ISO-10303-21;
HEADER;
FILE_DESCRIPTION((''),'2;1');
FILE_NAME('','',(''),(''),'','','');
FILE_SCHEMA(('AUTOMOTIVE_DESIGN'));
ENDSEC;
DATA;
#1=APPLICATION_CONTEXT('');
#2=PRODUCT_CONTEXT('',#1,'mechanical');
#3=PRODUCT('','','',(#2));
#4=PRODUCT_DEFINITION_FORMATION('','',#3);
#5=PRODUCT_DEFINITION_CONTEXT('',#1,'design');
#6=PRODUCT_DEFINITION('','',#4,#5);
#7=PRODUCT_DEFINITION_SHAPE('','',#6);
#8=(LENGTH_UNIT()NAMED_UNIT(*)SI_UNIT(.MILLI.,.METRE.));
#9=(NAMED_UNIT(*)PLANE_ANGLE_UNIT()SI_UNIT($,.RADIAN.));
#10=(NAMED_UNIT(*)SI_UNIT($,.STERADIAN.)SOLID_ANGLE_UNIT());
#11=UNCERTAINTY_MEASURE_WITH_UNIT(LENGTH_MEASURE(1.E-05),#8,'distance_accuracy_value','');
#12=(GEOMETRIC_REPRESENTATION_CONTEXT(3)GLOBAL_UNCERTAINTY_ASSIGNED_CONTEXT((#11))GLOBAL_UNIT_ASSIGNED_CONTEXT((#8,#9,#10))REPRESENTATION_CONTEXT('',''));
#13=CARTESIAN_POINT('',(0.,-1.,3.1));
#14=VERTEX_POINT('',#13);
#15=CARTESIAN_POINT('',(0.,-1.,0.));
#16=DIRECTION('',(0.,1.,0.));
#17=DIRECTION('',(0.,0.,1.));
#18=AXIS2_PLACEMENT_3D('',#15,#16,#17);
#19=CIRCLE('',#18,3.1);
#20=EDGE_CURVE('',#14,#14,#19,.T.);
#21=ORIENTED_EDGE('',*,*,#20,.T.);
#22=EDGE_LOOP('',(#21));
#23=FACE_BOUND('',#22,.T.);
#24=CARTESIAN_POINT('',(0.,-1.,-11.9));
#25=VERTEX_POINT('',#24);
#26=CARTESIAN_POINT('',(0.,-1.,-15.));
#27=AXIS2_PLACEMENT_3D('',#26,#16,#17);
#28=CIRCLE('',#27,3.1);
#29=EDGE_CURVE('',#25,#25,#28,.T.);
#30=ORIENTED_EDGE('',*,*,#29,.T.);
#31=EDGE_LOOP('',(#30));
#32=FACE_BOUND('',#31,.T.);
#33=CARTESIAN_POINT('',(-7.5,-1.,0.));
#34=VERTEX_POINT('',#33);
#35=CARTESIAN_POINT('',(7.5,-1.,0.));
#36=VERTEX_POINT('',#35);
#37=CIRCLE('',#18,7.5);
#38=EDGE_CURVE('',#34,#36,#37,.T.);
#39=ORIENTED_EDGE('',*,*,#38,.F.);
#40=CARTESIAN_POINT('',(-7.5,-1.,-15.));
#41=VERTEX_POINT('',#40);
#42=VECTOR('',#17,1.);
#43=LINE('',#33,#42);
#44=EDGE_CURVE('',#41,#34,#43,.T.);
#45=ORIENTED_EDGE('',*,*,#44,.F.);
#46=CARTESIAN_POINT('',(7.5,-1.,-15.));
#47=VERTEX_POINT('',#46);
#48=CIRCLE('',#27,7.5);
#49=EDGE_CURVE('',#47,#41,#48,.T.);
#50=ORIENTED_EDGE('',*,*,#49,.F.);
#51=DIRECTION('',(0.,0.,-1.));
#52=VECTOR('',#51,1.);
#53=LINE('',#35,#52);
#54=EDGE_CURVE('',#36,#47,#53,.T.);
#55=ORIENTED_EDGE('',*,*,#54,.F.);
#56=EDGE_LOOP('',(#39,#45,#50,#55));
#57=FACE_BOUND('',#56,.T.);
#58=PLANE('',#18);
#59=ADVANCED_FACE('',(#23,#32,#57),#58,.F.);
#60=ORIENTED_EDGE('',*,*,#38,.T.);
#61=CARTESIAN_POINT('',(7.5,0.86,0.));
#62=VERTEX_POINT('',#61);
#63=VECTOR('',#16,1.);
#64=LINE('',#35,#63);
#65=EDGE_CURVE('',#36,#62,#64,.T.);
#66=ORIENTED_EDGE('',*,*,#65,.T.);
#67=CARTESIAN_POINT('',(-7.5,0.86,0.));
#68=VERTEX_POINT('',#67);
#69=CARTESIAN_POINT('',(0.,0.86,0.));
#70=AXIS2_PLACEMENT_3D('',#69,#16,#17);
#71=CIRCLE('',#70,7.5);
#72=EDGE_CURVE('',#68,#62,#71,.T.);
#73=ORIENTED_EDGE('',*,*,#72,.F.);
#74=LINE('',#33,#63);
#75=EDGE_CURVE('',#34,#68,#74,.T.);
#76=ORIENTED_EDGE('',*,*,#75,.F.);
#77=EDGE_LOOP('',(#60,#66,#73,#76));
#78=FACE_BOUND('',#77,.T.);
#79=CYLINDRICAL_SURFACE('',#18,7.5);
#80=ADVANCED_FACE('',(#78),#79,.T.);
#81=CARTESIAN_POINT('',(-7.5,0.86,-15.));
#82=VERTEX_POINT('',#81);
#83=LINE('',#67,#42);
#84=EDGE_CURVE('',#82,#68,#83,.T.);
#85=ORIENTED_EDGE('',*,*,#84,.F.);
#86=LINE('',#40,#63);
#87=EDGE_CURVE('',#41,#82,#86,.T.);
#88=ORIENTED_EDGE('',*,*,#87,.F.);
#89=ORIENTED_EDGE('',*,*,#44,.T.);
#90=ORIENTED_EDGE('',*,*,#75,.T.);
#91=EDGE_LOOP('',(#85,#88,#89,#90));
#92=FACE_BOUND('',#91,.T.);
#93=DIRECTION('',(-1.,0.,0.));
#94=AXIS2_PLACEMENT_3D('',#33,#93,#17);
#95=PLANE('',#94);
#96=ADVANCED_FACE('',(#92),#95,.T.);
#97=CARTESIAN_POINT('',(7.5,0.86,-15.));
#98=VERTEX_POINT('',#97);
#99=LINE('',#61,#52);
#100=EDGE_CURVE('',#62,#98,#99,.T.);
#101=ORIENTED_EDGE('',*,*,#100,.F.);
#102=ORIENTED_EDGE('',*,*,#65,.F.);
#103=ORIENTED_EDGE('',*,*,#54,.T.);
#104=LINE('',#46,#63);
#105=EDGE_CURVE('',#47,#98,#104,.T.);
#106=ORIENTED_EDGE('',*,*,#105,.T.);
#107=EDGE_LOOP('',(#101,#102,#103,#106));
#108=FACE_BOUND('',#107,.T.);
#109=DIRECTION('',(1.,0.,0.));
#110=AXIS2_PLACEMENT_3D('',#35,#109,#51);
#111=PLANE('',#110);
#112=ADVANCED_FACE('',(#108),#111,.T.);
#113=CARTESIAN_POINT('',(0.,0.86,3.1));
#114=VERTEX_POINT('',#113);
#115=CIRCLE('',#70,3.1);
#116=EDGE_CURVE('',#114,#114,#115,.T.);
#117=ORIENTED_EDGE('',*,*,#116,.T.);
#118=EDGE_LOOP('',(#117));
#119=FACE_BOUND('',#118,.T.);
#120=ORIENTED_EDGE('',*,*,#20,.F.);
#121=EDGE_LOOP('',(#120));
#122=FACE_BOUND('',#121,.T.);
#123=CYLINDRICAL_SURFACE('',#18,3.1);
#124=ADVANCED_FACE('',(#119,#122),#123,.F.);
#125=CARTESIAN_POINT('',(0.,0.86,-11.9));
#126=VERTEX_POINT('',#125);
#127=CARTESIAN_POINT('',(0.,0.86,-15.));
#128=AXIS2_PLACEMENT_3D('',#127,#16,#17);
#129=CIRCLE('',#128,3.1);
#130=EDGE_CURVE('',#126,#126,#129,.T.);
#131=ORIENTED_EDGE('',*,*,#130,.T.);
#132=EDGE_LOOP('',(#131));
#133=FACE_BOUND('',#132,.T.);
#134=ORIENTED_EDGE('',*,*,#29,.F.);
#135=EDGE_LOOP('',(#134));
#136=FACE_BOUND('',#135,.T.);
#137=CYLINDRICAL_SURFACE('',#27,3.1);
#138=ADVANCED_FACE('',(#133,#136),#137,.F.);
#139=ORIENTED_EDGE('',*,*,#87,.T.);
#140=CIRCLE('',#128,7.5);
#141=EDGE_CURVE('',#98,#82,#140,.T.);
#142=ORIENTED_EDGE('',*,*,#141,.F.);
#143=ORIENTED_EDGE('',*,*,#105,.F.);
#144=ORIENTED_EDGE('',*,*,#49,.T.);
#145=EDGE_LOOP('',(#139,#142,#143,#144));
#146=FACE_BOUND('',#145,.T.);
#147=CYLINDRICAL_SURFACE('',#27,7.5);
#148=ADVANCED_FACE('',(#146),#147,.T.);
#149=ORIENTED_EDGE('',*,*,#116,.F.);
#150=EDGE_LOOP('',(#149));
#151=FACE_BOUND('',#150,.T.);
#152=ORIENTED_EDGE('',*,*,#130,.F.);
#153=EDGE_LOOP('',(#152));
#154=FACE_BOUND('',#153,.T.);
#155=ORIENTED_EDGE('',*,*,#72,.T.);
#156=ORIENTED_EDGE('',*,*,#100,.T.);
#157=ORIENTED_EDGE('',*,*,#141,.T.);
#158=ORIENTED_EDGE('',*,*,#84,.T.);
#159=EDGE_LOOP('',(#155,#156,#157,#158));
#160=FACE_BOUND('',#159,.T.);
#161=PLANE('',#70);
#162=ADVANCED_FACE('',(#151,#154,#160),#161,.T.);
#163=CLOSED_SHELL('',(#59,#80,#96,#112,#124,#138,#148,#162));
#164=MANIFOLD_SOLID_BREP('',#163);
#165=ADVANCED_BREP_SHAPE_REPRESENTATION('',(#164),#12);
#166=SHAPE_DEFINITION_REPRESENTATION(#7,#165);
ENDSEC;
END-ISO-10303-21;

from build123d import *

# Parameters (mm, degrees)
BOSS_EXTRUDE1_DEPTH      = 0.86
BOSS_EXTRUDE1_DEPTH_BACK = 1
SKETCH1_R                = 3.1


with BuildPart() as part:
    # Sketch1 → Boss-Extrude1 (new, two sides: drawn at the far end of the back side and taken through both)
    with BuildSketch(Plane(origin=(0, 0, 0), x_dir=(1, 0, 0), z_dir=(0, 1, 0)).offset(-BOSS_EXTRUDE1_DEPTH_BACK)):
        with BuildLine():
            Line((-7.5, 0), (-7.5, 15))
            ThreePointArc((-7.5, 15), (0, 22.5), (7.5, 15))
            Line((7.5, 15), (7.5, 0))
            ThreePointArc((7.5, 0), (0, -7.5), (-7.5, 0))
        make_face()
        with Locations(Location((0, 0, 0), (0, 0, 270))):
            Circle(SKETCH1_R, mode=Mode.SUBTRACT)
        with Locations(Location((0, 15, 0), (0, 0, 270))):
            Circle(SKETCH1_R, mode=Mode.SUBTRACT)
    extrude(amount=BOSS_EXTRUDE1_DEPTH + BOSS_EXTRUDE1_DEPTH_BACK)


solid = part.part
